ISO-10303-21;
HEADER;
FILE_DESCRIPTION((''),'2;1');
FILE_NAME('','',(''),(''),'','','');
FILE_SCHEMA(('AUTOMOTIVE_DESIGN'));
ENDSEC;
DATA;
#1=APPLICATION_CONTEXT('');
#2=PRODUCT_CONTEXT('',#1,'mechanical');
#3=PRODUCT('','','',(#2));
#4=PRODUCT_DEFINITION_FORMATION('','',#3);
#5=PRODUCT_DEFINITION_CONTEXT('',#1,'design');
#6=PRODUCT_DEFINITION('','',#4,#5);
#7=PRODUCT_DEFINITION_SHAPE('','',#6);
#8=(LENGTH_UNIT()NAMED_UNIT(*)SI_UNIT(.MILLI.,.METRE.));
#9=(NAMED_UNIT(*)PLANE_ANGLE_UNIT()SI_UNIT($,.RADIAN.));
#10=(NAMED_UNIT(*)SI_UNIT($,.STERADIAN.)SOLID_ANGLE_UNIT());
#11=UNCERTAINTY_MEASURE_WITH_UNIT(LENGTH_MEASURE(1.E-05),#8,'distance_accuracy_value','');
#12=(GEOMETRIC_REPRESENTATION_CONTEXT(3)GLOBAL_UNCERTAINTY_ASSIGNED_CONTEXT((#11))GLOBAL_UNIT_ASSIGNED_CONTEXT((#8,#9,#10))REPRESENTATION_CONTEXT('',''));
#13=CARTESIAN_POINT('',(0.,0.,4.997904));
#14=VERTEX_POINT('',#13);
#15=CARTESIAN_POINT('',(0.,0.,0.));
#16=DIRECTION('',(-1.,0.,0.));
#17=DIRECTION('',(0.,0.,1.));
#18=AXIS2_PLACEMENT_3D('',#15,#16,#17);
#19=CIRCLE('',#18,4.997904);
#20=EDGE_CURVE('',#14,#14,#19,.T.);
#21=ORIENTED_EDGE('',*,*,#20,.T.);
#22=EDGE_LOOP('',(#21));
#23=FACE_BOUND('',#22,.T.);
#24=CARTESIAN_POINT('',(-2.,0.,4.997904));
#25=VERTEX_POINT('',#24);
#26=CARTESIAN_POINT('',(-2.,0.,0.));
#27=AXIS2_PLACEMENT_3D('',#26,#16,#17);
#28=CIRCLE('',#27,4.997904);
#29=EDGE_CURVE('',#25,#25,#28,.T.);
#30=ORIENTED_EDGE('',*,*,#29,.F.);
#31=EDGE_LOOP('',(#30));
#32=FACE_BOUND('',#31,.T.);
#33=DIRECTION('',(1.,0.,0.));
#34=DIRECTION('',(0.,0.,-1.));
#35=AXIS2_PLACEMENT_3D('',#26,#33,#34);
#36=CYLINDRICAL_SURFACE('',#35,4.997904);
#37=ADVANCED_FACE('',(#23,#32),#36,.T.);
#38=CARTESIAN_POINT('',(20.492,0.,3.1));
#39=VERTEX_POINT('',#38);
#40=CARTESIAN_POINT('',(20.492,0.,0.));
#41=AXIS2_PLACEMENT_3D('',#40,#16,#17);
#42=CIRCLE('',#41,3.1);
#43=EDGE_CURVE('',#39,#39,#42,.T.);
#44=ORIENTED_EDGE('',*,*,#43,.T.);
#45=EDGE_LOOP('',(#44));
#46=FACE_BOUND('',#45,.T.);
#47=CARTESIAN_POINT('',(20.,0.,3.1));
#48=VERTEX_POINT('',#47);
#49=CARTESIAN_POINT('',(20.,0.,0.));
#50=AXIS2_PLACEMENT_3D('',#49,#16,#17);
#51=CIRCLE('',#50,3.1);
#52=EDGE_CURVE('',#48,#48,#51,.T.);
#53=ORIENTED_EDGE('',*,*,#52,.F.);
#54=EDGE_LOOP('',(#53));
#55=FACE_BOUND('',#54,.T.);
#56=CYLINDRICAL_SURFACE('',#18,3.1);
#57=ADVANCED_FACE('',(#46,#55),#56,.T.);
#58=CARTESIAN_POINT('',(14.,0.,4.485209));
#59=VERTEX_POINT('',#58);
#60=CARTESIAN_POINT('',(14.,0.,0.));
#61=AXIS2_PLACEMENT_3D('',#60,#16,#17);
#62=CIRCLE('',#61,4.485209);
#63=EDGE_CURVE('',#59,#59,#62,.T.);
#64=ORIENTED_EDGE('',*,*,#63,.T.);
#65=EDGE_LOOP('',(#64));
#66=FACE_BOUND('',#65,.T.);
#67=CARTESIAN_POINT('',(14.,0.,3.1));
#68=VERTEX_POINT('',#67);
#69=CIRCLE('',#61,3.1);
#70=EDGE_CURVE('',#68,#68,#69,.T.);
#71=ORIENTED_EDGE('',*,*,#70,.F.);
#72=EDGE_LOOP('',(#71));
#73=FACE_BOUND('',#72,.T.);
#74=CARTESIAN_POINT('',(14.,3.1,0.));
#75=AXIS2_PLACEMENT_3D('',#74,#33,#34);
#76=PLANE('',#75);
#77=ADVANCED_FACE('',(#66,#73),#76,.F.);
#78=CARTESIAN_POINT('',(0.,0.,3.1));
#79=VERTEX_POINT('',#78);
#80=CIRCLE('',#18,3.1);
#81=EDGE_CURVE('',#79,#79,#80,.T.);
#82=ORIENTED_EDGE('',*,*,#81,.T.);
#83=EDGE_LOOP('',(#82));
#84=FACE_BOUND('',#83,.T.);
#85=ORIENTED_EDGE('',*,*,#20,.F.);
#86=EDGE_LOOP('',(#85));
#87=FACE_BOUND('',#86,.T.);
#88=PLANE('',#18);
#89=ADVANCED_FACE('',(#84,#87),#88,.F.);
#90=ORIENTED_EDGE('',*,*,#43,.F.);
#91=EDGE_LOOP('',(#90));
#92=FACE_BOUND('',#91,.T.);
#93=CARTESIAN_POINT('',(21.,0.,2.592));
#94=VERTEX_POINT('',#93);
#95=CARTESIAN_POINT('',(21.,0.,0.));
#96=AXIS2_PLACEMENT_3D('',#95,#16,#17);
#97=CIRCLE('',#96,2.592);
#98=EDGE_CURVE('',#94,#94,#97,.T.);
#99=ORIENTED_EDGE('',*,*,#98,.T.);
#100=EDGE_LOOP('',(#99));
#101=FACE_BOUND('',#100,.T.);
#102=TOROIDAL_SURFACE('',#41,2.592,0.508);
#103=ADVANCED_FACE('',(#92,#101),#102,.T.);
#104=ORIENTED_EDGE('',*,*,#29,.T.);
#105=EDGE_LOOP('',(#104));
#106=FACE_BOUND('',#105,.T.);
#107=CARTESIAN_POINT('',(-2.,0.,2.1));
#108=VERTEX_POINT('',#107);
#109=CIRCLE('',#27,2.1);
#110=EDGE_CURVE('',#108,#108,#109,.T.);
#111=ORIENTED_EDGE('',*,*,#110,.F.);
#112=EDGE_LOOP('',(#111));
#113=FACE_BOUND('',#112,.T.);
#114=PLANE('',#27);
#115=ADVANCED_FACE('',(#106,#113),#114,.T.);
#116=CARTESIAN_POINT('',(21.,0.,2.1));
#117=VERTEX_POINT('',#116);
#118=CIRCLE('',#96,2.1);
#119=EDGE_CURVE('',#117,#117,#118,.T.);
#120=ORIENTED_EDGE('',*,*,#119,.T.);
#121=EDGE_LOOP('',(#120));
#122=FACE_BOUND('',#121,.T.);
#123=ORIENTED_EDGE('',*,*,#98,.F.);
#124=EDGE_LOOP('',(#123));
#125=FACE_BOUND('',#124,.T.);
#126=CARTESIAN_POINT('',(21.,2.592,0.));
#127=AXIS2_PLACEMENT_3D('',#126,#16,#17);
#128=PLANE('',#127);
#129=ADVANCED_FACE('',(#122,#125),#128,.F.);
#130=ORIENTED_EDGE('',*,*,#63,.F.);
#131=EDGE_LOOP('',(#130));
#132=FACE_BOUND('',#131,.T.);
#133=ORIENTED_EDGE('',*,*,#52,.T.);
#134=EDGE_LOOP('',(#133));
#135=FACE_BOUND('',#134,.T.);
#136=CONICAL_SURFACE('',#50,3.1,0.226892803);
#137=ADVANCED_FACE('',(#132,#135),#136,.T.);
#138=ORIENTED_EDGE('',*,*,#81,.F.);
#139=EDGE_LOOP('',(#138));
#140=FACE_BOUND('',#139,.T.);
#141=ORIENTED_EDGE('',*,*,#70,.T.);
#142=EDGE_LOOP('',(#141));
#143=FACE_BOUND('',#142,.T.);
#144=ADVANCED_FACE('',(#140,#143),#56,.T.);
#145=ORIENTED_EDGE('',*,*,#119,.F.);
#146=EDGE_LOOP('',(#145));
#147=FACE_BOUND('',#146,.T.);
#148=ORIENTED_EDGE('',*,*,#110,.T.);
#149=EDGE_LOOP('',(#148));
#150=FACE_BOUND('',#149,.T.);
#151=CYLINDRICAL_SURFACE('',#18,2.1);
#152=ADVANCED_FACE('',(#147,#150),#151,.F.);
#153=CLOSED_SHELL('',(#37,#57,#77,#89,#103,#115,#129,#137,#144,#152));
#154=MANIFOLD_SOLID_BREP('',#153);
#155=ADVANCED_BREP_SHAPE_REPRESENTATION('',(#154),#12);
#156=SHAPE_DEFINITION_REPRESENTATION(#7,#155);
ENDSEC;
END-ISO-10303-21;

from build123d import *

# Parameters (mm, degrees)
SKETCH2_R           = 4.997903731
SKETCH2_R_2         = 2.1
BOSS_EXTRUDE1_DEPTH = 2


with BuildPart() as part:
    # Sketch1 → Revolve2 (revolve)
    with BuildSketch(Plane.XY, mode=Mode.PRIVATE) as revolve2_sk:
        with BuildLine():
            Line((0, 2.1), (8.384411392, 2.1))
            Line((8.384411392, 2.1), (21, 2.1))
            Line((21, 2.1), (21, 2.592))
            ThreePointArc((21, 2.592), (20.851210245, 2.951210245), (20.492, 3.1))
            Line((20.492, 3.1), (20, 3.1))
            Line((20, 3.1), (14, 4.485209147))
            Line((14, 4.485209147), (14, 3.1))
            Line((14, 3.1), (0, 3.1))
            Line((0, 3.1), (0, 2.1))
        make_face()
    revolve(revolve2_sk.sketch.rotate(Axis((0, 0, 0), (1, 0, 0)), 90), axis=Axis((0, 0, 0), (1, 0, 0)))

    # Sketch2 → Boss-Extrude1 (add)
    with BuildSketch(Plane.ZY):
        Circle(SKETCH2_R)
        Circle(SKETCH2_R_2, mode=Mode.SUBTRACT)
    extrude(amount=BOSS_EXTRUDE1_DEPTH)


solid = part.part
